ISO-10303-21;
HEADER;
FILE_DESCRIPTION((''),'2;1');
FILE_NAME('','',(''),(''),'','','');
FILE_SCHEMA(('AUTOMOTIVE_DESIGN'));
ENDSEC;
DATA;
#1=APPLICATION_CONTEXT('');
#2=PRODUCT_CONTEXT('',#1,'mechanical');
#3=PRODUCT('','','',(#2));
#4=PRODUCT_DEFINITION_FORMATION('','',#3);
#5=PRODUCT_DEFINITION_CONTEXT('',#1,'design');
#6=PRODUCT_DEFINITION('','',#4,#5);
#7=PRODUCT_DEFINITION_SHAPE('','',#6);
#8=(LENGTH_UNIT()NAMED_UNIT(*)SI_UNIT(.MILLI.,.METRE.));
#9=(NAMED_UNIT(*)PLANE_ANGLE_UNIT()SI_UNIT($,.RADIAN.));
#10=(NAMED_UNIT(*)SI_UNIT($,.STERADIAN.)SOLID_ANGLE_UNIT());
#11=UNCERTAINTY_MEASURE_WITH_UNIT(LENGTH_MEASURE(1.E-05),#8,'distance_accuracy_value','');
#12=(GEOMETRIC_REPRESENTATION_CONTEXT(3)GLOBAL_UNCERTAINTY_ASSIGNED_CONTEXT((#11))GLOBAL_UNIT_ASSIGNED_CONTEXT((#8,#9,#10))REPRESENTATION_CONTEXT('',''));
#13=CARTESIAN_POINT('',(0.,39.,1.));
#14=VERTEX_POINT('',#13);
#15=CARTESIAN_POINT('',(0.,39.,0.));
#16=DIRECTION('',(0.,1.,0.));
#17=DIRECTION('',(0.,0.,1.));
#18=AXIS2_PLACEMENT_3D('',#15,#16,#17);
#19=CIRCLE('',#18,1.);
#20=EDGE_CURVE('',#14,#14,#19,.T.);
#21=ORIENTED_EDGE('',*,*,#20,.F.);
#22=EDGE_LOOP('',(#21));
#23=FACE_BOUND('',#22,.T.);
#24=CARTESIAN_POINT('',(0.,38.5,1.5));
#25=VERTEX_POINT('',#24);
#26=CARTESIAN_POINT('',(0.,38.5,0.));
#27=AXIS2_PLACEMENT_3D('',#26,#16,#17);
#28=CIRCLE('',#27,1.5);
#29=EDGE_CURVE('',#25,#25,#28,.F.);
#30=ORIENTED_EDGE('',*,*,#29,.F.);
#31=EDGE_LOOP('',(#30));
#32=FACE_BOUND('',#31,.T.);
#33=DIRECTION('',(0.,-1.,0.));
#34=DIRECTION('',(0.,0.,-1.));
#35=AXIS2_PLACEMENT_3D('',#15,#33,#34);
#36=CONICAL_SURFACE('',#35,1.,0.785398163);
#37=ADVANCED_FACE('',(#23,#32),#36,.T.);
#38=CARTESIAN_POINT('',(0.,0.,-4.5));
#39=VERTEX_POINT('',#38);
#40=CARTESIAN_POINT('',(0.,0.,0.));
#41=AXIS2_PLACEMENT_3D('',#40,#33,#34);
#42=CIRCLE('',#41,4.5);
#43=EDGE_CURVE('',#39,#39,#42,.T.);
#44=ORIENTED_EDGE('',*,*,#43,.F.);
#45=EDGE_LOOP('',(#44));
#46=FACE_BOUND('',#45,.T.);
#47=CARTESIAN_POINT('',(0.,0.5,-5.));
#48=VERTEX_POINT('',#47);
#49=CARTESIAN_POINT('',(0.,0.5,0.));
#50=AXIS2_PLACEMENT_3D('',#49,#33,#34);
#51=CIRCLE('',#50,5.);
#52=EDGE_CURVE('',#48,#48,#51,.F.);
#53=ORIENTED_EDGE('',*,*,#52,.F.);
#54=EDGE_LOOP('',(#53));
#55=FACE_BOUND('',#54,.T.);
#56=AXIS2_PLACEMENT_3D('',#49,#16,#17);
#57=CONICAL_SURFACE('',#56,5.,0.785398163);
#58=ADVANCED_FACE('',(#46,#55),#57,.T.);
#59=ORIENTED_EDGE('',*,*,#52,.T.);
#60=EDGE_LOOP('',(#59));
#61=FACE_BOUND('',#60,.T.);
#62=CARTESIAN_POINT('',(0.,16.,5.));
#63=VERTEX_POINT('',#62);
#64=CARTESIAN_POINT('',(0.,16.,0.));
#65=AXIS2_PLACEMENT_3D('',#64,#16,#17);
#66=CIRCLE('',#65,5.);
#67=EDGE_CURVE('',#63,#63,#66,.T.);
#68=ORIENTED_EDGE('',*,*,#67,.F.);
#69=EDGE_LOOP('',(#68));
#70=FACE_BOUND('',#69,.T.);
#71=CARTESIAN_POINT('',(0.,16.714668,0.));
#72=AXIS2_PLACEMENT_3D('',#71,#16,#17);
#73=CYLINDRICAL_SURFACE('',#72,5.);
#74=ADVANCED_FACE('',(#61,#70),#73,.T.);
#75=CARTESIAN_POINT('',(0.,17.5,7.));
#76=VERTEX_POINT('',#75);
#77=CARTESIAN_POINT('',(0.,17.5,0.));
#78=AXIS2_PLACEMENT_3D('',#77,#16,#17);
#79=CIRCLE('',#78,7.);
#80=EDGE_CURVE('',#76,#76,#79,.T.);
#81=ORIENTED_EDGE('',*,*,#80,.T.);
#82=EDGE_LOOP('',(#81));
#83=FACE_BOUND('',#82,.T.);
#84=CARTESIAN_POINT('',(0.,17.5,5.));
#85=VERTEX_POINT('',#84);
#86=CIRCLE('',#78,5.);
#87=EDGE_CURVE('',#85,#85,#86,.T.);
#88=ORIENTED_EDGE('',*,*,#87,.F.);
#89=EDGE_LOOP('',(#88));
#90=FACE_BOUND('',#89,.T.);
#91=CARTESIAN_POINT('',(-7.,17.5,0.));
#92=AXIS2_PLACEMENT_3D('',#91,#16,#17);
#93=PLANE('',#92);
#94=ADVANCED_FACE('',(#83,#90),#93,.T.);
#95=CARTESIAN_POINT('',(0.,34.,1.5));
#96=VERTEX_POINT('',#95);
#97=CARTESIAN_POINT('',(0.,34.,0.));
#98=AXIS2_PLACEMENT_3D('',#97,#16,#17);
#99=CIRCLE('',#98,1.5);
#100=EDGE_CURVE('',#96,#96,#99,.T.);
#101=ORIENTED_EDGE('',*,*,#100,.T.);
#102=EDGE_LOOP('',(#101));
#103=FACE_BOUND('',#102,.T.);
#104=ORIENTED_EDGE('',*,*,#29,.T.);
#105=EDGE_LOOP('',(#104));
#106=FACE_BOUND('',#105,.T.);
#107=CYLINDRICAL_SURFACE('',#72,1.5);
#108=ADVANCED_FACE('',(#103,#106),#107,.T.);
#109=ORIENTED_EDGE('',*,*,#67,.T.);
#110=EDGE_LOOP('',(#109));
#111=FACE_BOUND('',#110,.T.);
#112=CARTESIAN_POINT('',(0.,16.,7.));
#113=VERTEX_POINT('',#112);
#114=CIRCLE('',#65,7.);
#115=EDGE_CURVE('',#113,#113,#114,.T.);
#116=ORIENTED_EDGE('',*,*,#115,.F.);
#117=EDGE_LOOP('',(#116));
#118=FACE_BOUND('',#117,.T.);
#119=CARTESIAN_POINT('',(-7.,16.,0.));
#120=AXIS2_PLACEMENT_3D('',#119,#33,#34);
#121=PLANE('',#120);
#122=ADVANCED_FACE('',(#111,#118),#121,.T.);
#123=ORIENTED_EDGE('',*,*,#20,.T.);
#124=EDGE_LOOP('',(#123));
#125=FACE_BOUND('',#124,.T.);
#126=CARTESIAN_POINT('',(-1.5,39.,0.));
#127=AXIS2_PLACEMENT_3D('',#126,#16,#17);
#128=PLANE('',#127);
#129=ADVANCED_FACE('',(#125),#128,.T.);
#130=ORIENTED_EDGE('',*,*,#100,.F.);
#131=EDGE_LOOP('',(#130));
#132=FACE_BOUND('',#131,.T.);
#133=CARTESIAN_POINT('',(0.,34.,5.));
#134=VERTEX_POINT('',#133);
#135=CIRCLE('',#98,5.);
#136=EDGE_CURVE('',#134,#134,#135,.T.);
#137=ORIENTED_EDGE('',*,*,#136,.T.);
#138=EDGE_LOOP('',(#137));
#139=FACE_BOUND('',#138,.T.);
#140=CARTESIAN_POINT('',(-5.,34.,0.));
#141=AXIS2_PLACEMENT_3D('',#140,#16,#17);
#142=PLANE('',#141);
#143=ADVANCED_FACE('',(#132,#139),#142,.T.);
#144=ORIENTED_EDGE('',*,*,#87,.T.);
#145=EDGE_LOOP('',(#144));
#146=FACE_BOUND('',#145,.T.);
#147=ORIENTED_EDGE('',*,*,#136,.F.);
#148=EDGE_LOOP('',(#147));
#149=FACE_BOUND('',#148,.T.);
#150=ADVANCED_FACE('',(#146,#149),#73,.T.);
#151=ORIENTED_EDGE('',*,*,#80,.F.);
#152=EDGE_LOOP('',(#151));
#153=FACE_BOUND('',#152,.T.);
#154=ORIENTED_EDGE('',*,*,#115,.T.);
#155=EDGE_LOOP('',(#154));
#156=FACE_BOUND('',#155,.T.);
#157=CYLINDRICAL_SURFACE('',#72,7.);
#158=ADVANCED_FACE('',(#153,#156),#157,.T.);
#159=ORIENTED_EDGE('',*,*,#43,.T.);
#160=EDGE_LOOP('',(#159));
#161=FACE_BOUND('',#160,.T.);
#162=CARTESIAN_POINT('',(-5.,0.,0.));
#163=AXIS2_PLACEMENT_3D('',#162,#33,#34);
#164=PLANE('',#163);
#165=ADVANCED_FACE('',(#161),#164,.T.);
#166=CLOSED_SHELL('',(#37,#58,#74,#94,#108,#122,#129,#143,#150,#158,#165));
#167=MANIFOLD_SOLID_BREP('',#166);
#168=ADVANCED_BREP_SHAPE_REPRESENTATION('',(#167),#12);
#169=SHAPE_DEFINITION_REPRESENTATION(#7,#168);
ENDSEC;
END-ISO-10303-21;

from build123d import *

# Parameters (mm, degrees)
CHAMFER_1_SIZE = 0.5


with BuildPart() as part:
    # Эскиз1 → Повернуть1 (revolve)
    with BuildSketch(Plane.XY, mode=Mode.PRIVATE) as revolve_1_sk:
        Polygon((-7, 16), (-7, 17.5), (-5, 17.5), (-5, 34), (-1.5, 34), (-1.5, 39), (0, 39), (0, 0), (-5, 0), (-5, 16), align=None)
    revolve(revolve_1_sk.sketch.rotate(Axis((0, 16.714668184, 0), (0, -1, 0)), 270), axis=Axis((0, 16.714668184, 0), (0, -1, 0)))

    # Фаска1
    chamfer_1_edges = [part.edges().sort_by_distance(p)[0] for p in [
        (0, 0, -5),
        (0, 39, -1.5),
    ]]
    chamfer(chamfer_1_edges, length=CHAMFER_1_SIZE)


solid = part.part
